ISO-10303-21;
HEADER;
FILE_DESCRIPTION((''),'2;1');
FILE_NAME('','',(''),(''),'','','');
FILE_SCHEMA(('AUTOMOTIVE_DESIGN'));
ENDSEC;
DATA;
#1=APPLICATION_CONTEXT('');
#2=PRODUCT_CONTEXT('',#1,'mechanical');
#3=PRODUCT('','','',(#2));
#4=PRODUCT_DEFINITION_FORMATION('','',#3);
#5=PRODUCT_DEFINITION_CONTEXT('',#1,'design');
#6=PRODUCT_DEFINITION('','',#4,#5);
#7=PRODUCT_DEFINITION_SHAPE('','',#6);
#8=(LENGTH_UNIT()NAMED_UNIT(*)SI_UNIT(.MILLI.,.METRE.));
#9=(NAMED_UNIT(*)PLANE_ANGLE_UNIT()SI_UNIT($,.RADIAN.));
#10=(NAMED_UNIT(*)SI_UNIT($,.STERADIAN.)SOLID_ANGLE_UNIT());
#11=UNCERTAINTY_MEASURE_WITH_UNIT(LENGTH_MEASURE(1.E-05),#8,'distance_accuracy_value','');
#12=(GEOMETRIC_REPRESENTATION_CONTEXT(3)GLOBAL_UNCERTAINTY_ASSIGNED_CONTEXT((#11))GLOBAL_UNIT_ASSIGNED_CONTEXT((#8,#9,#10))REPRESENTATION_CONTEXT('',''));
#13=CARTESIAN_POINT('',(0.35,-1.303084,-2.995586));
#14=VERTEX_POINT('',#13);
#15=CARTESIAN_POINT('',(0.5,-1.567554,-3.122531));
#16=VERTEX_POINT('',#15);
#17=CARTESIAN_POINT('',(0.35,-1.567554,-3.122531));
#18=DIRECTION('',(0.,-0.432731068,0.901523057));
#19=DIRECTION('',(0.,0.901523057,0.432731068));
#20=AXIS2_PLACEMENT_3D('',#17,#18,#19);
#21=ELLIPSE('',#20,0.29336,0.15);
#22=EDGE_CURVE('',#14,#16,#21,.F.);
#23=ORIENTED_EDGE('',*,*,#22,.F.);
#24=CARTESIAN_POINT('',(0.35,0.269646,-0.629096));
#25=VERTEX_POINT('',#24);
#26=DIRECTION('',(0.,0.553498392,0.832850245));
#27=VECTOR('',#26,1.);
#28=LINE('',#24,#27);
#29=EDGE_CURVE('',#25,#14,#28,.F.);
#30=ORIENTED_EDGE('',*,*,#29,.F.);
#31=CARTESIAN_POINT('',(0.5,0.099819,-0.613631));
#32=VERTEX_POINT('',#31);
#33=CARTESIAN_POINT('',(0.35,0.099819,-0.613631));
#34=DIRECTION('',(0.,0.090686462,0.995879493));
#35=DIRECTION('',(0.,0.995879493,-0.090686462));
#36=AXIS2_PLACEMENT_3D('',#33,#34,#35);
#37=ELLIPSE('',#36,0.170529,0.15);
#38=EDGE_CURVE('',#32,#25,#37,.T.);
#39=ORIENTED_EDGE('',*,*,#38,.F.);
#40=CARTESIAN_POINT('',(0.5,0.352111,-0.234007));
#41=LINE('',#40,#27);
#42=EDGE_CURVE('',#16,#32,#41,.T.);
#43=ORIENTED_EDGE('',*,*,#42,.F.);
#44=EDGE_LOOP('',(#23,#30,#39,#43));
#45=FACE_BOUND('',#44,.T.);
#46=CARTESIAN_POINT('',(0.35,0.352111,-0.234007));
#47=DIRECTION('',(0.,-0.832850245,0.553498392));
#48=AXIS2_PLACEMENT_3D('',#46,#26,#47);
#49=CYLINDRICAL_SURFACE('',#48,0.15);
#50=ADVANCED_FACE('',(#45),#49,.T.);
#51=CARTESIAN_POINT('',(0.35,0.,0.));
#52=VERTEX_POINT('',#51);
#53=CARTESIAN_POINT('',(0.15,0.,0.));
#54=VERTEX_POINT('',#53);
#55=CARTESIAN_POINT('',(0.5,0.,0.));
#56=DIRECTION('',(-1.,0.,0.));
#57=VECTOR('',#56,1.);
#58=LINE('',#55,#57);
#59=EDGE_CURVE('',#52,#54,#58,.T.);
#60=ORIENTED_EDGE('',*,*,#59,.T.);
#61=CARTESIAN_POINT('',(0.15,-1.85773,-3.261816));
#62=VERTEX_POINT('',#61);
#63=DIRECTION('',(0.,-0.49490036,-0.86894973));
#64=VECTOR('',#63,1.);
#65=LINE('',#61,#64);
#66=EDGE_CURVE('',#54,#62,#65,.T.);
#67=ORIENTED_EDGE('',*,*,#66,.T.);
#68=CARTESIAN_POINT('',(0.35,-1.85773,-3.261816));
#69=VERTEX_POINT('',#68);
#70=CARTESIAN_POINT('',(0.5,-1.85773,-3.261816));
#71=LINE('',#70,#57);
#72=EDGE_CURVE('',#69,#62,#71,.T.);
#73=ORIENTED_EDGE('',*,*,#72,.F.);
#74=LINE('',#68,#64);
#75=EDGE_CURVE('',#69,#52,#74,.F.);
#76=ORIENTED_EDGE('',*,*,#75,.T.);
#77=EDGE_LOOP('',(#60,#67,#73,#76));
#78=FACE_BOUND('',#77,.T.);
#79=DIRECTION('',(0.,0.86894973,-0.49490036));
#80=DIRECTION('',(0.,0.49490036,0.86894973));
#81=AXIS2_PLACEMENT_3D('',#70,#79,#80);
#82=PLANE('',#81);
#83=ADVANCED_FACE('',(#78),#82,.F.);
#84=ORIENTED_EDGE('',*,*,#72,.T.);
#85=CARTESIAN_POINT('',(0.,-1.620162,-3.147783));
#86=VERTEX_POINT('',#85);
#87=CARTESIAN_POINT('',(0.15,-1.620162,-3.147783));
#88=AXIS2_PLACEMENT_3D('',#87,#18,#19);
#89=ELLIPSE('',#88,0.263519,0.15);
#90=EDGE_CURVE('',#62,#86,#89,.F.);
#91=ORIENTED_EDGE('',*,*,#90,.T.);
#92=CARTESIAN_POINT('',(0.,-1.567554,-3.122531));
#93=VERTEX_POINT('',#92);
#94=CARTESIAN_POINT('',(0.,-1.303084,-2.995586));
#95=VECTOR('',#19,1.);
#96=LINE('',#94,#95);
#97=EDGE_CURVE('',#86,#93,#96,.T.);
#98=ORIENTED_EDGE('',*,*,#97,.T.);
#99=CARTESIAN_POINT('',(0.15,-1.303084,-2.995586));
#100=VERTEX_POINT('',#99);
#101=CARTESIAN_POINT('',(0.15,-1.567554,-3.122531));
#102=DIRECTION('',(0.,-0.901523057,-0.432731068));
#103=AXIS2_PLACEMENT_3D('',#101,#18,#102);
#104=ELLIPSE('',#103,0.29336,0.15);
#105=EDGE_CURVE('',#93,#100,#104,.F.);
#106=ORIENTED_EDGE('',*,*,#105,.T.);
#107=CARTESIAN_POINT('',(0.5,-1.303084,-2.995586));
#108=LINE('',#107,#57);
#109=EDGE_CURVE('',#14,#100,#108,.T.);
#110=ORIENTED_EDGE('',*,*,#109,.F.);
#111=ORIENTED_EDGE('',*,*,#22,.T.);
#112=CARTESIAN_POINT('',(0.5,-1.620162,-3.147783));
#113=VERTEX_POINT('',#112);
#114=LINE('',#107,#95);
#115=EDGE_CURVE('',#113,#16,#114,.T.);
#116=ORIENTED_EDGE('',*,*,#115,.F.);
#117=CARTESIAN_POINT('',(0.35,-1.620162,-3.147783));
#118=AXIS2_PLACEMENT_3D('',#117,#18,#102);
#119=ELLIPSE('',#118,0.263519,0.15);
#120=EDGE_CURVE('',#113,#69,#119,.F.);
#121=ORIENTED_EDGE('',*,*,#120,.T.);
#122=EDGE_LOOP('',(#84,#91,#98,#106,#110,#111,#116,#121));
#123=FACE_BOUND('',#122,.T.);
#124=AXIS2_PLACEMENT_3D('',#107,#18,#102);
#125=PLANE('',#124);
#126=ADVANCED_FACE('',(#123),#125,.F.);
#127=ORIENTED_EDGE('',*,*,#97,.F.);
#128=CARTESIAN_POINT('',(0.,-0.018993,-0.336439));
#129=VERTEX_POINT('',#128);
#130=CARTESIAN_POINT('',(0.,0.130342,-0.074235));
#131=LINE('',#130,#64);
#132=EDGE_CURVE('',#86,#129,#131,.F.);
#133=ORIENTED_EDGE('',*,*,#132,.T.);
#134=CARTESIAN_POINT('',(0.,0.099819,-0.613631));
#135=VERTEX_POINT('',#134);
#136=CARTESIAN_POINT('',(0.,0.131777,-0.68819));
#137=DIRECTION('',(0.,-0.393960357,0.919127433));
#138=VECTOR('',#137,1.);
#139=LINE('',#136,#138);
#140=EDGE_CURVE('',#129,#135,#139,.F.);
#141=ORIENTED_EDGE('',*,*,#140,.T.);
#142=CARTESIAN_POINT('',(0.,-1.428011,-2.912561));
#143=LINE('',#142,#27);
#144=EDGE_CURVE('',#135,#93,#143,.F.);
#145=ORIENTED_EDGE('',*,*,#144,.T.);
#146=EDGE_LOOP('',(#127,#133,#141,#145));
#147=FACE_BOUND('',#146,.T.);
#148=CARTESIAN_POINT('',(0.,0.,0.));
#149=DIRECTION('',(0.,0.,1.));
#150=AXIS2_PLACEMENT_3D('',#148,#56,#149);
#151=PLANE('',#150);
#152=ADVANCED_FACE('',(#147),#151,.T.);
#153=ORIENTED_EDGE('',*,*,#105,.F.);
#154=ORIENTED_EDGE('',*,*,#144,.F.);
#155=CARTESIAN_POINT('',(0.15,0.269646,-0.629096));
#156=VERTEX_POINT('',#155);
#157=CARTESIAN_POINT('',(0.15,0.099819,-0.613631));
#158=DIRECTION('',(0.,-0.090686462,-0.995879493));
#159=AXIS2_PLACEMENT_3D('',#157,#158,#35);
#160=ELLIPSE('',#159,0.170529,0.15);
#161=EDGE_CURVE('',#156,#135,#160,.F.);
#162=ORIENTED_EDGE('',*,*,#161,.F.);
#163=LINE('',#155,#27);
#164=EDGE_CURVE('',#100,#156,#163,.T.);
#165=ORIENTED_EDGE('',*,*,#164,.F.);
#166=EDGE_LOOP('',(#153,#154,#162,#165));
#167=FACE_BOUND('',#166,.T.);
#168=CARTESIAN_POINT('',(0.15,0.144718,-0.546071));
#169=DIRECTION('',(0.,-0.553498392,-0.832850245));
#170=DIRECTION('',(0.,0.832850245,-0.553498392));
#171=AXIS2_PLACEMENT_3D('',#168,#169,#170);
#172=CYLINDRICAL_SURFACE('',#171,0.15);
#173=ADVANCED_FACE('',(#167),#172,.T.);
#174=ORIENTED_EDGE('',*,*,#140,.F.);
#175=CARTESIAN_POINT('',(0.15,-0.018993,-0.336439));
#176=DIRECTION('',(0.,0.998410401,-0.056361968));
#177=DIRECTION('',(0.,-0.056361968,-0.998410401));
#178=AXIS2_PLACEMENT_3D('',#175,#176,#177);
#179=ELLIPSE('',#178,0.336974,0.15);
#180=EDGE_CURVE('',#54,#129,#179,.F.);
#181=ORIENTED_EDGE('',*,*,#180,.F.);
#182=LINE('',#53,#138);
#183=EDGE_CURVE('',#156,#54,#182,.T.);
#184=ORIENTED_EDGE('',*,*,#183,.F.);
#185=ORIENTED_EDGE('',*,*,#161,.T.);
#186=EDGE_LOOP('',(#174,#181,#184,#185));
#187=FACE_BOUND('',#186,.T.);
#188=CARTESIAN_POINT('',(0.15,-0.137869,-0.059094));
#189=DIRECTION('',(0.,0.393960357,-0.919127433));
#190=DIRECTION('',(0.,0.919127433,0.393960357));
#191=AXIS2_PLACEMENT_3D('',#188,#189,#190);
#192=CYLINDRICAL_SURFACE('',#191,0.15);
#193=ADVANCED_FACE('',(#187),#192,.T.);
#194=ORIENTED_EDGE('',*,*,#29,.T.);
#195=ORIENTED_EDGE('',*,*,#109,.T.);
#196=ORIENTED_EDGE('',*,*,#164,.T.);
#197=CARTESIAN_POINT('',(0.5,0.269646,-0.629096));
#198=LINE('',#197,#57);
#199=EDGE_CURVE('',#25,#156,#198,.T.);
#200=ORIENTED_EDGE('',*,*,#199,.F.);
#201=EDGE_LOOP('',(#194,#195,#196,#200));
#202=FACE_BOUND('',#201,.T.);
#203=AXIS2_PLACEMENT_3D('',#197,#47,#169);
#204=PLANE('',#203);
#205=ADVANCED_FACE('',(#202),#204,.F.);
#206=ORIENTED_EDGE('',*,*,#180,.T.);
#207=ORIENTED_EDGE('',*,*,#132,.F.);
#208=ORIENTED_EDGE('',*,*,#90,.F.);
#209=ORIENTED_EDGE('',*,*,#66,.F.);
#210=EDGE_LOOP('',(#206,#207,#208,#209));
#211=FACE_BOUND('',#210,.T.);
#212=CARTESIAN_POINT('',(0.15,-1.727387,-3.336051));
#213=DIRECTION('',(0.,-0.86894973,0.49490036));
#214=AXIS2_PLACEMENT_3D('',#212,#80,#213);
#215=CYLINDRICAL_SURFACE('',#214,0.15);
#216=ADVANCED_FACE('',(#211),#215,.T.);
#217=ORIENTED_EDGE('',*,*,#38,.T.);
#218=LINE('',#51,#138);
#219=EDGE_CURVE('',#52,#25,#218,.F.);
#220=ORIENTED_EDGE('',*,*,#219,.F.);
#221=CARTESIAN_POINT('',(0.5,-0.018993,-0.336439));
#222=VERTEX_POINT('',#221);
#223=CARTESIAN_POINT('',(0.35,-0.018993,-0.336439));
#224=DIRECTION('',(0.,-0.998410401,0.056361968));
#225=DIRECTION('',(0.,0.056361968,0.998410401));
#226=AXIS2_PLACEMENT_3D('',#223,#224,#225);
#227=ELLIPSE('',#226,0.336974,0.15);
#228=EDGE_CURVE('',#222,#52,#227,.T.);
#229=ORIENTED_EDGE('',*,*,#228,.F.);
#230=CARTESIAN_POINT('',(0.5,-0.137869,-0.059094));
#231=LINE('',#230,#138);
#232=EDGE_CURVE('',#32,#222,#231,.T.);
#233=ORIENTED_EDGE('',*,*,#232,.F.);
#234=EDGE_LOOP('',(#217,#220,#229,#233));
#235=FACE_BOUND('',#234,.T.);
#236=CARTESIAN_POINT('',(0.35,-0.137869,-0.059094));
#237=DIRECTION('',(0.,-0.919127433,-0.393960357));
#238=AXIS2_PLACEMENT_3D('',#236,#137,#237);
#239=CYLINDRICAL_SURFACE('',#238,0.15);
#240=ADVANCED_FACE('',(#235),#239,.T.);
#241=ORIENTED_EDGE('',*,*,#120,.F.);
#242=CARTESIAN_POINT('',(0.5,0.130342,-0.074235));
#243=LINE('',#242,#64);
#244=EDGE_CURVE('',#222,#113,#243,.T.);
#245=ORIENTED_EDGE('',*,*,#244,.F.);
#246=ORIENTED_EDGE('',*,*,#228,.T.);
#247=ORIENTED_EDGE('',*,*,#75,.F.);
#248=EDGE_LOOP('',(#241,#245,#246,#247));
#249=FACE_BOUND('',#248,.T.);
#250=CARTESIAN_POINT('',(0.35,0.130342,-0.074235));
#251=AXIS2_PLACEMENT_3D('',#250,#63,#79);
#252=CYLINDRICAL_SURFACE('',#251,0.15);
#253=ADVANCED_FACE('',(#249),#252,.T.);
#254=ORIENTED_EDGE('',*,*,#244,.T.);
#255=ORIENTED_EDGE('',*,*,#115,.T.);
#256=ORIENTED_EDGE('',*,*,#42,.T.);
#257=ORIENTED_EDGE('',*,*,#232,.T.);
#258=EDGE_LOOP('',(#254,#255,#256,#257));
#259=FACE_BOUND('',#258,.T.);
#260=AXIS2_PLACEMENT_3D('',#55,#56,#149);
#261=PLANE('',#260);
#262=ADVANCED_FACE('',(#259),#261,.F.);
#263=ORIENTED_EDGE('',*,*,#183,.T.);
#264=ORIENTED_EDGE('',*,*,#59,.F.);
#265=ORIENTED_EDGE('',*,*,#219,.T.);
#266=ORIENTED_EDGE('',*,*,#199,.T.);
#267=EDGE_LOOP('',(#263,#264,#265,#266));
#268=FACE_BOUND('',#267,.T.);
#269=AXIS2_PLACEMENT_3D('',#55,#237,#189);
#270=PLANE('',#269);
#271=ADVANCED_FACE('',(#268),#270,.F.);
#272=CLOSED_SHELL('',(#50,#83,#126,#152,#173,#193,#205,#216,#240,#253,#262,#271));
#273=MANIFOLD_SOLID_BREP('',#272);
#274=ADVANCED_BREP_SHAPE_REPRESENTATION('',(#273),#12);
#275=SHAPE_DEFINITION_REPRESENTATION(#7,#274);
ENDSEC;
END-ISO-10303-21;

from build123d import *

# Parameters (mm, degrees)
BOSS_EXTRUDE1_DEPTH = 0.5
FILLET1_R           = 0.15


with BuildPart() as part:
    # Sketch1 → Boss-Extrude1 (new body)
    with BuildSketch(Plane(origin=(0, 0, 0), x_dir=(0, 0, -1), z_dir=(1, 0, 0))):
        Polygon((0, 0), (0.629095992, 0.269645832), (2.995585653, -1.303083755), (3.26181574, -1.857729769), align=None)
    extrude(amount=BOSS_EXTRUDE1_DEPTH)

    # Fillet1
    fillet1_edges = [part.edges().sort_by_distance(p)[0] for p in [
        (0.5, -0.516718961, -1.812340822),
        (0.5, 0.134822916, -0.314547996),
        (0.5, -0.928864885, -1.63090787),
        (0, 0.134822916, -0.314547996),
        (0, -0.516718961, -1.812340822),
        (0, -0.928864885, -1.63090787),
    ]]
    fillet(fillet1_edges, radius=FILLET1_R)


solid = part.part
